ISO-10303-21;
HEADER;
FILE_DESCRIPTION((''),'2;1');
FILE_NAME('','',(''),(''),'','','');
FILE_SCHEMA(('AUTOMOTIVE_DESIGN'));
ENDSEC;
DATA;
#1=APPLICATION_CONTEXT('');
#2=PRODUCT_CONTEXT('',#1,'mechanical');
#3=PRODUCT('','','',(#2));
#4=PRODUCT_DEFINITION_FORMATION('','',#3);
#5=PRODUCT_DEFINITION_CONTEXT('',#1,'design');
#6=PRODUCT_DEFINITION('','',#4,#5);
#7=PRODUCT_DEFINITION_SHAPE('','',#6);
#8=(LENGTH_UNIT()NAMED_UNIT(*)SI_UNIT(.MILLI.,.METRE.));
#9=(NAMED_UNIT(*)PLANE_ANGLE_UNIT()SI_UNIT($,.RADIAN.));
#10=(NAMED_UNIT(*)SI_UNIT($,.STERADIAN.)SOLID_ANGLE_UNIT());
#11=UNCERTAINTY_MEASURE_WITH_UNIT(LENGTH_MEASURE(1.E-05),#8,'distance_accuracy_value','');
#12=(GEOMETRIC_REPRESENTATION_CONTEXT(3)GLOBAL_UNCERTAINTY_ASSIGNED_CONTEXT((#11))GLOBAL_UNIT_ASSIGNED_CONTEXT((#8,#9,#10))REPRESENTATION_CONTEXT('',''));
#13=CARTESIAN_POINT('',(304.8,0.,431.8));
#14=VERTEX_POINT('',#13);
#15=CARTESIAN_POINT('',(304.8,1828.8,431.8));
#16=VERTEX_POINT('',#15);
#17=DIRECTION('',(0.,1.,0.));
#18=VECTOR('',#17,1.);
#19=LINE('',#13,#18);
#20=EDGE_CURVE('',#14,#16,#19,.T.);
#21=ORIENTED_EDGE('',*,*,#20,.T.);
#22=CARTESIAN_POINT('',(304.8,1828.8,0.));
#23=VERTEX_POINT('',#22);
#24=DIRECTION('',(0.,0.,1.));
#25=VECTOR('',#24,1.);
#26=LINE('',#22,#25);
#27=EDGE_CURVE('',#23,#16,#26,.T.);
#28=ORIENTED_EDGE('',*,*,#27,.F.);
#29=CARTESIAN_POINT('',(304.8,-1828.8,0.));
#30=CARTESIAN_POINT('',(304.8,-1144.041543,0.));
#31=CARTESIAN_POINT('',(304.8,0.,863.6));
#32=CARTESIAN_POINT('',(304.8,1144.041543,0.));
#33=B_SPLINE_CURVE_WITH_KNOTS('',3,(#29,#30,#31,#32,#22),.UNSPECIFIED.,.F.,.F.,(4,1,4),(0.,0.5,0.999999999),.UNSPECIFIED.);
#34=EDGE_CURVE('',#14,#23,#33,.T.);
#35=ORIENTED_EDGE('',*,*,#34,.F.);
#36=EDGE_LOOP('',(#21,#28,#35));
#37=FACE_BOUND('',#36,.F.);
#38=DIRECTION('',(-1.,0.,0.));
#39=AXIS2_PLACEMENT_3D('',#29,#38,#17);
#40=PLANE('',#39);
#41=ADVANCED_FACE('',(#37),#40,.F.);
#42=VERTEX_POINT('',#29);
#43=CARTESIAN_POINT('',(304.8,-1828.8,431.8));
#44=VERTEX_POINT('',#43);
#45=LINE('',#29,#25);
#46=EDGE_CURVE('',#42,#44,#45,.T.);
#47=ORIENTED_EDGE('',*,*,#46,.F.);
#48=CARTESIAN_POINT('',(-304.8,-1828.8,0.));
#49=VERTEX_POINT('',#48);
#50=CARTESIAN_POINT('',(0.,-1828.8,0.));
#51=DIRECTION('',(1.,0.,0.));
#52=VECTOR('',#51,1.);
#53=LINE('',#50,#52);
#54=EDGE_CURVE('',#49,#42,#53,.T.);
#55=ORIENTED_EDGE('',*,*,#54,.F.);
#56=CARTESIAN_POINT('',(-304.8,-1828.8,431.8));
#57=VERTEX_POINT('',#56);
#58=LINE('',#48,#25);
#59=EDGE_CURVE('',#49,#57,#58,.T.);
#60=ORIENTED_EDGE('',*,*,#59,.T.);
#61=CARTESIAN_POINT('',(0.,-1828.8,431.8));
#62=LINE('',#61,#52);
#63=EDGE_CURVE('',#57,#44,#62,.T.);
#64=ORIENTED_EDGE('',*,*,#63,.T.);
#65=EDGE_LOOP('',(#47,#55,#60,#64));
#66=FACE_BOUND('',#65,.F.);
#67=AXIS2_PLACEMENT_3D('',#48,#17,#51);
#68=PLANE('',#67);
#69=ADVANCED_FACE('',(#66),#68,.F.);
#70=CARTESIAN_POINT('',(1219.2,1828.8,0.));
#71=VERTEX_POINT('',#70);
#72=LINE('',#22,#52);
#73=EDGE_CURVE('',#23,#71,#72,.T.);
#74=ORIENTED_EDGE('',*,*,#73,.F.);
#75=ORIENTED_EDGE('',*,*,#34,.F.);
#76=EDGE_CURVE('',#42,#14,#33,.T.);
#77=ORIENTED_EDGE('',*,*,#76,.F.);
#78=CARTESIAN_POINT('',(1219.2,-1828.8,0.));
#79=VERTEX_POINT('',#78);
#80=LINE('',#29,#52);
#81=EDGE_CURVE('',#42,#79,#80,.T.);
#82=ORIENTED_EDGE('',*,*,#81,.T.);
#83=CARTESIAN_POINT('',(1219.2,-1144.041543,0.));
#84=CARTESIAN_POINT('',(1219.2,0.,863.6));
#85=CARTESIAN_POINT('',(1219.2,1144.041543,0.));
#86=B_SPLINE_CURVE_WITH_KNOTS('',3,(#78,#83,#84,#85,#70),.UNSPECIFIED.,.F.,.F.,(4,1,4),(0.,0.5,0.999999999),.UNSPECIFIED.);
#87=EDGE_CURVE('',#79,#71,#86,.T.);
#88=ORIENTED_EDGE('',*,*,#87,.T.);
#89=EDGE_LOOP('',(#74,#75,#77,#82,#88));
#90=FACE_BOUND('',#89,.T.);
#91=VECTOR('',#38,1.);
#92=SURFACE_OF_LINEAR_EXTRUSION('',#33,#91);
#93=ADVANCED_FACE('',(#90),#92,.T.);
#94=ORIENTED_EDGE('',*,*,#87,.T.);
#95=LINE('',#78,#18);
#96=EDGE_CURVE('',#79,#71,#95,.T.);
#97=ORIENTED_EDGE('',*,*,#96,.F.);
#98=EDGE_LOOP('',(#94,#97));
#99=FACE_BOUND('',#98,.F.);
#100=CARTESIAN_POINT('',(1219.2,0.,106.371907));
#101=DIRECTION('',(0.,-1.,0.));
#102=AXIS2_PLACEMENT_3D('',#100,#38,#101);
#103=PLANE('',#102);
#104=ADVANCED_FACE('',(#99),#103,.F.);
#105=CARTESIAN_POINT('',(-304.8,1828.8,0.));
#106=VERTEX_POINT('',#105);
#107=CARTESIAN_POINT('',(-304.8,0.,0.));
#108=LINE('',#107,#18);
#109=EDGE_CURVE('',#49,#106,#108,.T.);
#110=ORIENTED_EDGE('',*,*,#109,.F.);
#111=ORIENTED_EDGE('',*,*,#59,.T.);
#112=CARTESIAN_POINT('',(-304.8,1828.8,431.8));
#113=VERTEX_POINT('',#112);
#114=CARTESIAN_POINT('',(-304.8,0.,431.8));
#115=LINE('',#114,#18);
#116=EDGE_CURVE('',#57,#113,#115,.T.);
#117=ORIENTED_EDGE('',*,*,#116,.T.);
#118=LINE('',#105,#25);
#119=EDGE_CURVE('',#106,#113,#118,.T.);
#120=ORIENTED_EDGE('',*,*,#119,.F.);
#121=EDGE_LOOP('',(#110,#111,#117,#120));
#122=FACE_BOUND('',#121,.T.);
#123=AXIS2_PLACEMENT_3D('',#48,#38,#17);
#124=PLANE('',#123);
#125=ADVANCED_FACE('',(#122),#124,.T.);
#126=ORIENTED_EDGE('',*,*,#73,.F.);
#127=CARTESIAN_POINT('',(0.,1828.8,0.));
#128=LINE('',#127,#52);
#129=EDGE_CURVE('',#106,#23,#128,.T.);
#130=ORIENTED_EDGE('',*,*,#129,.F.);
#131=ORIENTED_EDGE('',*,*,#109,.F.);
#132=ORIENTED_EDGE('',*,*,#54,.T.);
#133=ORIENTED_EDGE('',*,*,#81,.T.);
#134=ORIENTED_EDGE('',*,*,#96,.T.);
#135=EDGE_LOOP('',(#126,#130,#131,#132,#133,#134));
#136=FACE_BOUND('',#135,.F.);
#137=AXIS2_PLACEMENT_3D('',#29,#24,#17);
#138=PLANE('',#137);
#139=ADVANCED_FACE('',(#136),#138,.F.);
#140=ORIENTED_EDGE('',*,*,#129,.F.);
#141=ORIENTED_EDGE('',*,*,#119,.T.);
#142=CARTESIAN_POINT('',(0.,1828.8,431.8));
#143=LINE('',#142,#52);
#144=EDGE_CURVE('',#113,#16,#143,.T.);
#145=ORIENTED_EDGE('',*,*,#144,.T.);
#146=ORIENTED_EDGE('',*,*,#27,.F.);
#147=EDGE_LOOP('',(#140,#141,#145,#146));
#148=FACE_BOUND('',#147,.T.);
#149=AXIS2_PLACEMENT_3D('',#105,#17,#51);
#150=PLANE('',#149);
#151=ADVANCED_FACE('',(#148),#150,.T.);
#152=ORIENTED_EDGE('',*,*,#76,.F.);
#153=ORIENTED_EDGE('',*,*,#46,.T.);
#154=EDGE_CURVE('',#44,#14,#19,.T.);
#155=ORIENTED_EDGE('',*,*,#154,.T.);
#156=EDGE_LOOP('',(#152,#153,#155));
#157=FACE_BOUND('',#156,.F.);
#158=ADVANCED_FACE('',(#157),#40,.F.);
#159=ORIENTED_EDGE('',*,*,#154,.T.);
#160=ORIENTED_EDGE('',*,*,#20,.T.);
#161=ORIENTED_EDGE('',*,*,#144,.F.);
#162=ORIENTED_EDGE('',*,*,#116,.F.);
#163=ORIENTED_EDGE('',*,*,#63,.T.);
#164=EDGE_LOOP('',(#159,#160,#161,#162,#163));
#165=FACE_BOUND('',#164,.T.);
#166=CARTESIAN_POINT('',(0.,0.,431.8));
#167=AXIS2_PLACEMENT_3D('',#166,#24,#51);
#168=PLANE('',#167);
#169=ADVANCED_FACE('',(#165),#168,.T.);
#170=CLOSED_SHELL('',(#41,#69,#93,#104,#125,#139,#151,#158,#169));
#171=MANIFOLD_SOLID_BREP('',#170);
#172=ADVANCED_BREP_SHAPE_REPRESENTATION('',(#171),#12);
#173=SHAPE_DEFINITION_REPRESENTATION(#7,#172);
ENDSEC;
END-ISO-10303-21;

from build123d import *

# Parameters (mm, degrees)
F0_W     = 609.6
F0_H     = 3657.6
F1_DEPTH = 431.8
F3_DEPTH = 914.4


with BuildPart() as f1:
    # F0 (on Top) → F1 (new body)
    with BuildSketch(Plane.XY):
        Rectangle(F0_W, F0_H)
    extrude(amount=F1_DEPTH)

    # F2 (on face) → F3 (join)
    with BuildSketch(Plane.YZ.offset(304.8)):
        with BuildLine():
            add(Edge.make_bspline(
                [(-1828.8, 0), (-1144.0415432371, 0), (-572.02077132, 431.8000002253), (5.97e-07, 431.8)],
                knots=[0, 0, 0, 0, 0.5, 0.5, 0.5, 0.5], degree=3))
            Line((-1828.8, 0), (1828.8, 0))
            add(Edge.make_bspline(
                [(5.97e-07, 431.8), (572.0207719171, 431.7999997747), (1144.0415432371, 0), (1828.8, 0)],
                knots=[0.5, 0.5, 0.5, 0.5, 1, 1, 1, 1], degree=3))
        make_face()
    extrude(amount=F3_DEPTH)


solid = f1.part
